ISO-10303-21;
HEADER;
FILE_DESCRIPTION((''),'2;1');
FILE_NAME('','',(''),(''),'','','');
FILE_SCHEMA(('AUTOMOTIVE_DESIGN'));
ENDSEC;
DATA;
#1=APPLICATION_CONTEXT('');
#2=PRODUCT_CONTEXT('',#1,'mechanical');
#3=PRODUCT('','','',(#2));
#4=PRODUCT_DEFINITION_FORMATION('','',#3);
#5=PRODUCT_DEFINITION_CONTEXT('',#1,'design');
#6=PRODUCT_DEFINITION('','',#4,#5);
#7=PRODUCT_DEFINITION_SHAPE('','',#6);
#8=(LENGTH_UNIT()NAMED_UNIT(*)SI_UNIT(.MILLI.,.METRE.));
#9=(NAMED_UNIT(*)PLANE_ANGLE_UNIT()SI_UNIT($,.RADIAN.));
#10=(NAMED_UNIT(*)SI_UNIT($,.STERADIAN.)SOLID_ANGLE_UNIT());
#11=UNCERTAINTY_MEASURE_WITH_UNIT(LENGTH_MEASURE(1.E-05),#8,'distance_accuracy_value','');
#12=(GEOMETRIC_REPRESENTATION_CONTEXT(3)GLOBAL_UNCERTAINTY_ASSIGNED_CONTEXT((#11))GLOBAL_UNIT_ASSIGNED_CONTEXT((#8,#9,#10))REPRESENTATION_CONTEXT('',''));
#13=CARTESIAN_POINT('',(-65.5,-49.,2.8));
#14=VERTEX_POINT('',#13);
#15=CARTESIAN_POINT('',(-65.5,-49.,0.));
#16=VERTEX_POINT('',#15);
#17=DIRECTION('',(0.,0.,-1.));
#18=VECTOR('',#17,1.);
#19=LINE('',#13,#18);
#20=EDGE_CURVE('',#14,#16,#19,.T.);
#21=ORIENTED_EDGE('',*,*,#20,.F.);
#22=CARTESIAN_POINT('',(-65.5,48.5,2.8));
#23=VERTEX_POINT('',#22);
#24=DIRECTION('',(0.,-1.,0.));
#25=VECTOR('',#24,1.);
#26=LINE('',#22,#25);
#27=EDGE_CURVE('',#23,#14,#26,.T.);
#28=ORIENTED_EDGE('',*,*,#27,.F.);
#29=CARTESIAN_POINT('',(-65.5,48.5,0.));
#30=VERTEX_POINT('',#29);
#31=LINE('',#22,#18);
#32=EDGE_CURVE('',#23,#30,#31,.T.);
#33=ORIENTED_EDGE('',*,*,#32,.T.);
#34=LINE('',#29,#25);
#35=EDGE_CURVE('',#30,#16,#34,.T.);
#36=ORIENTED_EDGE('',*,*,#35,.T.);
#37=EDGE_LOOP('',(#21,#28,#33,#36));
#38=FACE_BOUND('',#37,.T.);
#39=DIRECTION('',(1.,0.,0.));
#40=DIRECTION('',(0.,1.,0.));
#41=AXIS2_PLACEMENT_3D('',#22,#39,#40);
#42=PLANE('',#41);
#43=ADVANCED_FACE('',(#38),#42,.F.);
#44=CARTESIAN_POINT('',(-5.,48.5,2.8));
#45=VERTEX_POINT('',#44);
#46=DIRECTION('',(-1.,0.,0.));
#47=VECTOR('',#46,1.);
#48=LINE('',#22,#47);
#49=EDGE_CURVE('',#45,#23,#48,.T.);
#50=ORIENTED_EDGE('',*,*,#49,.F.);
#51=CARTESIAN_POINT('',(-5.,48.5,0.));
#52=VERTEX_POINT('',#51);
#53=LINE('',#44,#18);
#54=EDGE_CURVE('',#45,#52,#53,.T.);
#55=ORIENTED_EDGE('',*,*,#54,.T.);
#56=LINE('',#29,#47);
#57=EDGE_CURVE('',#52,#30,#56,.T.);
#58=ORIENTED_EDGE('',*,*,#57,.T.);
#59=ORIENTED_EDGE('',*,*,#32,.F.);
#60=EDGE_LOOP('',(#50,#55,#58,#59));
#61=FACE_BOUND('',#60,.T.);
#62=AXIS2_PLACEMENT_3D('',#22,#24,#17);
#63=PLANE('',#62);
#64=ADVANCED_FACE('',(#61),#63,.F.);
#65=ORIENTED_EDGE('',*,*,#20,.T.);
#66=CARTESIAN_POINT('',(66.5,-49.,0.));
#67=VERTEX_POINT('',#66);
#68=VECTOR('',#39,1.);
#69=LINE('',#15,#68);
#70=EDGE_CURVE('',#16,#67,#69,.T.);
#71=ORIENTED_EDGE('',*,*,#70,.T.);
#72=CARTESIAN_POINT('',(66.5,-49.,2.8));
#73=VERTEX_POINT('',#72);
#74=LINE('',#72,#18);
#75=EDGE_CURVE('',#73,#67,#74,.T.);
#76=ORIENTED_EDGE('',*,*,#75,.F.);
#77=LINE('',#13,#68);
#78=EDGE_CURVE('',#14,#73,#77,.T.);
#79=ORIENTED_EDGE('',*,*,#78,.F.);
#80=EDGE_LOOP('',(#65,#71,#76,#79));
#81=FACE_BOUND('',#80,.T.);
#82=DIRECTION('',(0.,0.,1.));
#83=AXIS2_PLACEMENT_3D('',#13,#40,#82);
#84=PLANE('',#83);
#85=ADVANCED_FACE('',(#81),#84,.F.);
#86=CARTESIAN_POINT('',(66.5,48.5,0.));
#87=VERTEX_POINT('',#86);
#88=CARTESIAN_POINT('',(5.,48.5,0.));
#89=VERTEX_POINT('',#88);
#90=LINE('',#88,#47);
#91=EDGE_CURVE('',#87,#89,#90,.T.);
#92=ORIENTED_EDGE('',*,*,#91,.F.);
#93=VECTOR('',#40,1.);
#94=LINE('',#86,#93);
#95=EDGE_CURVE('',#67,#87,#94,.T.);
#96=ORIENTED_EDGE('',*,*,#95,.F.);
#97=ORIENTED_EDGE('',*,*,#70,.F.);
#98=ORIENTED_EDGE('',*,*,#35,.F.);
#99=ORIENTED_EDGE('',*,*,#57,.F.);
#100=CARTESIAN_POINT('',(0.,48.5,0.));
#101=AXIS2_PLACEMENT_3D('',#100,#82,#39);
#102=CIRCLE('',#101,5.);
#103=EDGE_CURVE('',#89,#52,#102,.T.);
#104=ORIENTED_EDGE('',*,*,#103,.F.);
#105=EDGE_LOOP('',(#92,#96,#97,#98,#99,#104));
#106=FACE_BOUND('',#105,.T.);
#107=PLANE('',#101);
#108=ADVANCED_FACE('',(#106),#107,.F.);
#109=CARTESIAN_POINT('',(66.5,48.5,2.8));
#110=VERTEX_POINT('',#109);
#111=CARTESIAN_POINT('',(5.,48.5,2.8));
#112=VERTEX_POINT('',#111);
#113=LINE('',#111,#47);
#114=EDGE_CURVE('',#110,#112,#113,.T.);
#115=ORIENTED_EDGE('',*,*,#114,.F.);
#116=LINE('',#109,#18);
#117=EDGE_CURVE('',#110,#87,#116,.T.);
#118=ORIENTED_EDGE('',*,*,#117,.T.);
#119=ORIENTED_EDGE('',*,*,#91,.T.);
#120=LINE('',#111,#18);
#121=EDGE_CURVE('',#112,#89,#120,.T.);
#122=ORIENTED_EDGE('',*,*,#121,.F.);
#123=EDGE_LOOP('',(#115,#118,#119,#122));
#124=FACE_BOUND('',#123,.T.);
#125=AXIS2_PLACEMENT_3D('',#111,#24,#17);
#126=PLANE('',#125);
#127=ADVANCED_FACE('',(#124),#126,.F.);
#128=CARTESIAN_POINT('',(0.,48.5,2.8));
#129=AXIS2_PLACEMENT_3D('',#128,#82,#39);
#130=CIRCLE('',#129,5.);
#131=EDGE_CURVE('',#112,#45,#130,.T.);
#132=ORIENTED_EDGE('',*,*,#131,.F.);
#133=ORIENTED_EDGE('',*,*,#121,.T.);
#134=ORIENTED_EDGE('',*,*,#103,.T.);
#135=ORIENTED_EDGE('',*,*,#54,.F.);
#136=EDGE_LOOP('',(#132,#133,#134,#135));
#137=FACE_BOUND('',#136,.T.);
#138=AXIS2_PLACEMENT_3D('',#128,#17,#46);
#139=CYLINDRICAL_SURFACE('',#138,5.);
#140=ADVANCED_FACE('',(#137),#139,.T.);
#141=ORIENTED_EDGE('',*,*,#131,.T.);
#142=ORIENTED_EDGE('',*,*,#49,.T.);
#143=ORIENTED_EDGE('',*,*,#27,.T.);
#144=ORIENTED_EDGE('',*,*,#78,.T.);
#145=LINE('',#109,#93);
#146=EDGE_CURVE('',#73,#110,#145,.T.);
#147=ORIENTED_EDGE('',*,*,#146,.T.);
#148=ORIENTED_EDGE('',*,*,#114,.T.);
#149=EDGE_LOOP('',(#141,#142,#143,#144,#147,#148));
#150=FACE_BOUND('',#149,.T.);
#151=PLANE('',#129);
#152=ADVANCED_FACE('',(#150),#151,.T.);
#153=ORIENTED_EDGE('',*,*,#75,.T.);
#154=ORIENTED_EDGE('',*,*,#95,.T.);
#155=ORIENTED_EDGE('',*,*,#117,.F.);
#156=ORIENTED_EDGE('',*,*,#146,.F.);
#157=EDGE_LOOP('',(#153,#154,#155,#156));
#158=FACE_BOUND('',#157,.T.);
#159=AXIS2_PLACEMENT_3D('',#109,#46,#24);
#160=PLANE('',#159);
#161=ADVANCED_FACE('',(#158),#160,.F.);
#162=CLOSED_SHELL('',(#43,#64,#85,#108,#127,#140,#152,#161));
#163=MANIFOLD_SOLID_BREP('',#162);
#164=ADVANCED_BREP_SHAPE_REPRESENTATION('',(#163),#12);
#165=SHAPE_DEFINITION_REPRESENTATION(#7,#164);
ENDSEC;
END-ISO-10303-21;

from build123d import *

# Parameters (mm, degrees)
BOSS_EXTRUDE1_DEPTH = 2.8


with BuildPart() as part:
    # Sketch1 → Boss-Extrude1 (new body)
    with BuildSketch(Plane.XY):
        with BuildLine():
            Line((5, 48.5), (66.5, 48.5))
            Line((66.5, 48.5), (66.5, -49))
            Line((66.5, -49), (-65.5, -49))
            Line((-65.5, -49), (-65.5, 48.5))
            Line((-65.5, 48.5), (-5, 48.5))
            ThreePointArc((-5, 48.5), (0, 53.5), (5, 48.5))
        make_face()
    extrude(amount=BOSS_EXTRUDE1_DEPTH)


solid = part.part
